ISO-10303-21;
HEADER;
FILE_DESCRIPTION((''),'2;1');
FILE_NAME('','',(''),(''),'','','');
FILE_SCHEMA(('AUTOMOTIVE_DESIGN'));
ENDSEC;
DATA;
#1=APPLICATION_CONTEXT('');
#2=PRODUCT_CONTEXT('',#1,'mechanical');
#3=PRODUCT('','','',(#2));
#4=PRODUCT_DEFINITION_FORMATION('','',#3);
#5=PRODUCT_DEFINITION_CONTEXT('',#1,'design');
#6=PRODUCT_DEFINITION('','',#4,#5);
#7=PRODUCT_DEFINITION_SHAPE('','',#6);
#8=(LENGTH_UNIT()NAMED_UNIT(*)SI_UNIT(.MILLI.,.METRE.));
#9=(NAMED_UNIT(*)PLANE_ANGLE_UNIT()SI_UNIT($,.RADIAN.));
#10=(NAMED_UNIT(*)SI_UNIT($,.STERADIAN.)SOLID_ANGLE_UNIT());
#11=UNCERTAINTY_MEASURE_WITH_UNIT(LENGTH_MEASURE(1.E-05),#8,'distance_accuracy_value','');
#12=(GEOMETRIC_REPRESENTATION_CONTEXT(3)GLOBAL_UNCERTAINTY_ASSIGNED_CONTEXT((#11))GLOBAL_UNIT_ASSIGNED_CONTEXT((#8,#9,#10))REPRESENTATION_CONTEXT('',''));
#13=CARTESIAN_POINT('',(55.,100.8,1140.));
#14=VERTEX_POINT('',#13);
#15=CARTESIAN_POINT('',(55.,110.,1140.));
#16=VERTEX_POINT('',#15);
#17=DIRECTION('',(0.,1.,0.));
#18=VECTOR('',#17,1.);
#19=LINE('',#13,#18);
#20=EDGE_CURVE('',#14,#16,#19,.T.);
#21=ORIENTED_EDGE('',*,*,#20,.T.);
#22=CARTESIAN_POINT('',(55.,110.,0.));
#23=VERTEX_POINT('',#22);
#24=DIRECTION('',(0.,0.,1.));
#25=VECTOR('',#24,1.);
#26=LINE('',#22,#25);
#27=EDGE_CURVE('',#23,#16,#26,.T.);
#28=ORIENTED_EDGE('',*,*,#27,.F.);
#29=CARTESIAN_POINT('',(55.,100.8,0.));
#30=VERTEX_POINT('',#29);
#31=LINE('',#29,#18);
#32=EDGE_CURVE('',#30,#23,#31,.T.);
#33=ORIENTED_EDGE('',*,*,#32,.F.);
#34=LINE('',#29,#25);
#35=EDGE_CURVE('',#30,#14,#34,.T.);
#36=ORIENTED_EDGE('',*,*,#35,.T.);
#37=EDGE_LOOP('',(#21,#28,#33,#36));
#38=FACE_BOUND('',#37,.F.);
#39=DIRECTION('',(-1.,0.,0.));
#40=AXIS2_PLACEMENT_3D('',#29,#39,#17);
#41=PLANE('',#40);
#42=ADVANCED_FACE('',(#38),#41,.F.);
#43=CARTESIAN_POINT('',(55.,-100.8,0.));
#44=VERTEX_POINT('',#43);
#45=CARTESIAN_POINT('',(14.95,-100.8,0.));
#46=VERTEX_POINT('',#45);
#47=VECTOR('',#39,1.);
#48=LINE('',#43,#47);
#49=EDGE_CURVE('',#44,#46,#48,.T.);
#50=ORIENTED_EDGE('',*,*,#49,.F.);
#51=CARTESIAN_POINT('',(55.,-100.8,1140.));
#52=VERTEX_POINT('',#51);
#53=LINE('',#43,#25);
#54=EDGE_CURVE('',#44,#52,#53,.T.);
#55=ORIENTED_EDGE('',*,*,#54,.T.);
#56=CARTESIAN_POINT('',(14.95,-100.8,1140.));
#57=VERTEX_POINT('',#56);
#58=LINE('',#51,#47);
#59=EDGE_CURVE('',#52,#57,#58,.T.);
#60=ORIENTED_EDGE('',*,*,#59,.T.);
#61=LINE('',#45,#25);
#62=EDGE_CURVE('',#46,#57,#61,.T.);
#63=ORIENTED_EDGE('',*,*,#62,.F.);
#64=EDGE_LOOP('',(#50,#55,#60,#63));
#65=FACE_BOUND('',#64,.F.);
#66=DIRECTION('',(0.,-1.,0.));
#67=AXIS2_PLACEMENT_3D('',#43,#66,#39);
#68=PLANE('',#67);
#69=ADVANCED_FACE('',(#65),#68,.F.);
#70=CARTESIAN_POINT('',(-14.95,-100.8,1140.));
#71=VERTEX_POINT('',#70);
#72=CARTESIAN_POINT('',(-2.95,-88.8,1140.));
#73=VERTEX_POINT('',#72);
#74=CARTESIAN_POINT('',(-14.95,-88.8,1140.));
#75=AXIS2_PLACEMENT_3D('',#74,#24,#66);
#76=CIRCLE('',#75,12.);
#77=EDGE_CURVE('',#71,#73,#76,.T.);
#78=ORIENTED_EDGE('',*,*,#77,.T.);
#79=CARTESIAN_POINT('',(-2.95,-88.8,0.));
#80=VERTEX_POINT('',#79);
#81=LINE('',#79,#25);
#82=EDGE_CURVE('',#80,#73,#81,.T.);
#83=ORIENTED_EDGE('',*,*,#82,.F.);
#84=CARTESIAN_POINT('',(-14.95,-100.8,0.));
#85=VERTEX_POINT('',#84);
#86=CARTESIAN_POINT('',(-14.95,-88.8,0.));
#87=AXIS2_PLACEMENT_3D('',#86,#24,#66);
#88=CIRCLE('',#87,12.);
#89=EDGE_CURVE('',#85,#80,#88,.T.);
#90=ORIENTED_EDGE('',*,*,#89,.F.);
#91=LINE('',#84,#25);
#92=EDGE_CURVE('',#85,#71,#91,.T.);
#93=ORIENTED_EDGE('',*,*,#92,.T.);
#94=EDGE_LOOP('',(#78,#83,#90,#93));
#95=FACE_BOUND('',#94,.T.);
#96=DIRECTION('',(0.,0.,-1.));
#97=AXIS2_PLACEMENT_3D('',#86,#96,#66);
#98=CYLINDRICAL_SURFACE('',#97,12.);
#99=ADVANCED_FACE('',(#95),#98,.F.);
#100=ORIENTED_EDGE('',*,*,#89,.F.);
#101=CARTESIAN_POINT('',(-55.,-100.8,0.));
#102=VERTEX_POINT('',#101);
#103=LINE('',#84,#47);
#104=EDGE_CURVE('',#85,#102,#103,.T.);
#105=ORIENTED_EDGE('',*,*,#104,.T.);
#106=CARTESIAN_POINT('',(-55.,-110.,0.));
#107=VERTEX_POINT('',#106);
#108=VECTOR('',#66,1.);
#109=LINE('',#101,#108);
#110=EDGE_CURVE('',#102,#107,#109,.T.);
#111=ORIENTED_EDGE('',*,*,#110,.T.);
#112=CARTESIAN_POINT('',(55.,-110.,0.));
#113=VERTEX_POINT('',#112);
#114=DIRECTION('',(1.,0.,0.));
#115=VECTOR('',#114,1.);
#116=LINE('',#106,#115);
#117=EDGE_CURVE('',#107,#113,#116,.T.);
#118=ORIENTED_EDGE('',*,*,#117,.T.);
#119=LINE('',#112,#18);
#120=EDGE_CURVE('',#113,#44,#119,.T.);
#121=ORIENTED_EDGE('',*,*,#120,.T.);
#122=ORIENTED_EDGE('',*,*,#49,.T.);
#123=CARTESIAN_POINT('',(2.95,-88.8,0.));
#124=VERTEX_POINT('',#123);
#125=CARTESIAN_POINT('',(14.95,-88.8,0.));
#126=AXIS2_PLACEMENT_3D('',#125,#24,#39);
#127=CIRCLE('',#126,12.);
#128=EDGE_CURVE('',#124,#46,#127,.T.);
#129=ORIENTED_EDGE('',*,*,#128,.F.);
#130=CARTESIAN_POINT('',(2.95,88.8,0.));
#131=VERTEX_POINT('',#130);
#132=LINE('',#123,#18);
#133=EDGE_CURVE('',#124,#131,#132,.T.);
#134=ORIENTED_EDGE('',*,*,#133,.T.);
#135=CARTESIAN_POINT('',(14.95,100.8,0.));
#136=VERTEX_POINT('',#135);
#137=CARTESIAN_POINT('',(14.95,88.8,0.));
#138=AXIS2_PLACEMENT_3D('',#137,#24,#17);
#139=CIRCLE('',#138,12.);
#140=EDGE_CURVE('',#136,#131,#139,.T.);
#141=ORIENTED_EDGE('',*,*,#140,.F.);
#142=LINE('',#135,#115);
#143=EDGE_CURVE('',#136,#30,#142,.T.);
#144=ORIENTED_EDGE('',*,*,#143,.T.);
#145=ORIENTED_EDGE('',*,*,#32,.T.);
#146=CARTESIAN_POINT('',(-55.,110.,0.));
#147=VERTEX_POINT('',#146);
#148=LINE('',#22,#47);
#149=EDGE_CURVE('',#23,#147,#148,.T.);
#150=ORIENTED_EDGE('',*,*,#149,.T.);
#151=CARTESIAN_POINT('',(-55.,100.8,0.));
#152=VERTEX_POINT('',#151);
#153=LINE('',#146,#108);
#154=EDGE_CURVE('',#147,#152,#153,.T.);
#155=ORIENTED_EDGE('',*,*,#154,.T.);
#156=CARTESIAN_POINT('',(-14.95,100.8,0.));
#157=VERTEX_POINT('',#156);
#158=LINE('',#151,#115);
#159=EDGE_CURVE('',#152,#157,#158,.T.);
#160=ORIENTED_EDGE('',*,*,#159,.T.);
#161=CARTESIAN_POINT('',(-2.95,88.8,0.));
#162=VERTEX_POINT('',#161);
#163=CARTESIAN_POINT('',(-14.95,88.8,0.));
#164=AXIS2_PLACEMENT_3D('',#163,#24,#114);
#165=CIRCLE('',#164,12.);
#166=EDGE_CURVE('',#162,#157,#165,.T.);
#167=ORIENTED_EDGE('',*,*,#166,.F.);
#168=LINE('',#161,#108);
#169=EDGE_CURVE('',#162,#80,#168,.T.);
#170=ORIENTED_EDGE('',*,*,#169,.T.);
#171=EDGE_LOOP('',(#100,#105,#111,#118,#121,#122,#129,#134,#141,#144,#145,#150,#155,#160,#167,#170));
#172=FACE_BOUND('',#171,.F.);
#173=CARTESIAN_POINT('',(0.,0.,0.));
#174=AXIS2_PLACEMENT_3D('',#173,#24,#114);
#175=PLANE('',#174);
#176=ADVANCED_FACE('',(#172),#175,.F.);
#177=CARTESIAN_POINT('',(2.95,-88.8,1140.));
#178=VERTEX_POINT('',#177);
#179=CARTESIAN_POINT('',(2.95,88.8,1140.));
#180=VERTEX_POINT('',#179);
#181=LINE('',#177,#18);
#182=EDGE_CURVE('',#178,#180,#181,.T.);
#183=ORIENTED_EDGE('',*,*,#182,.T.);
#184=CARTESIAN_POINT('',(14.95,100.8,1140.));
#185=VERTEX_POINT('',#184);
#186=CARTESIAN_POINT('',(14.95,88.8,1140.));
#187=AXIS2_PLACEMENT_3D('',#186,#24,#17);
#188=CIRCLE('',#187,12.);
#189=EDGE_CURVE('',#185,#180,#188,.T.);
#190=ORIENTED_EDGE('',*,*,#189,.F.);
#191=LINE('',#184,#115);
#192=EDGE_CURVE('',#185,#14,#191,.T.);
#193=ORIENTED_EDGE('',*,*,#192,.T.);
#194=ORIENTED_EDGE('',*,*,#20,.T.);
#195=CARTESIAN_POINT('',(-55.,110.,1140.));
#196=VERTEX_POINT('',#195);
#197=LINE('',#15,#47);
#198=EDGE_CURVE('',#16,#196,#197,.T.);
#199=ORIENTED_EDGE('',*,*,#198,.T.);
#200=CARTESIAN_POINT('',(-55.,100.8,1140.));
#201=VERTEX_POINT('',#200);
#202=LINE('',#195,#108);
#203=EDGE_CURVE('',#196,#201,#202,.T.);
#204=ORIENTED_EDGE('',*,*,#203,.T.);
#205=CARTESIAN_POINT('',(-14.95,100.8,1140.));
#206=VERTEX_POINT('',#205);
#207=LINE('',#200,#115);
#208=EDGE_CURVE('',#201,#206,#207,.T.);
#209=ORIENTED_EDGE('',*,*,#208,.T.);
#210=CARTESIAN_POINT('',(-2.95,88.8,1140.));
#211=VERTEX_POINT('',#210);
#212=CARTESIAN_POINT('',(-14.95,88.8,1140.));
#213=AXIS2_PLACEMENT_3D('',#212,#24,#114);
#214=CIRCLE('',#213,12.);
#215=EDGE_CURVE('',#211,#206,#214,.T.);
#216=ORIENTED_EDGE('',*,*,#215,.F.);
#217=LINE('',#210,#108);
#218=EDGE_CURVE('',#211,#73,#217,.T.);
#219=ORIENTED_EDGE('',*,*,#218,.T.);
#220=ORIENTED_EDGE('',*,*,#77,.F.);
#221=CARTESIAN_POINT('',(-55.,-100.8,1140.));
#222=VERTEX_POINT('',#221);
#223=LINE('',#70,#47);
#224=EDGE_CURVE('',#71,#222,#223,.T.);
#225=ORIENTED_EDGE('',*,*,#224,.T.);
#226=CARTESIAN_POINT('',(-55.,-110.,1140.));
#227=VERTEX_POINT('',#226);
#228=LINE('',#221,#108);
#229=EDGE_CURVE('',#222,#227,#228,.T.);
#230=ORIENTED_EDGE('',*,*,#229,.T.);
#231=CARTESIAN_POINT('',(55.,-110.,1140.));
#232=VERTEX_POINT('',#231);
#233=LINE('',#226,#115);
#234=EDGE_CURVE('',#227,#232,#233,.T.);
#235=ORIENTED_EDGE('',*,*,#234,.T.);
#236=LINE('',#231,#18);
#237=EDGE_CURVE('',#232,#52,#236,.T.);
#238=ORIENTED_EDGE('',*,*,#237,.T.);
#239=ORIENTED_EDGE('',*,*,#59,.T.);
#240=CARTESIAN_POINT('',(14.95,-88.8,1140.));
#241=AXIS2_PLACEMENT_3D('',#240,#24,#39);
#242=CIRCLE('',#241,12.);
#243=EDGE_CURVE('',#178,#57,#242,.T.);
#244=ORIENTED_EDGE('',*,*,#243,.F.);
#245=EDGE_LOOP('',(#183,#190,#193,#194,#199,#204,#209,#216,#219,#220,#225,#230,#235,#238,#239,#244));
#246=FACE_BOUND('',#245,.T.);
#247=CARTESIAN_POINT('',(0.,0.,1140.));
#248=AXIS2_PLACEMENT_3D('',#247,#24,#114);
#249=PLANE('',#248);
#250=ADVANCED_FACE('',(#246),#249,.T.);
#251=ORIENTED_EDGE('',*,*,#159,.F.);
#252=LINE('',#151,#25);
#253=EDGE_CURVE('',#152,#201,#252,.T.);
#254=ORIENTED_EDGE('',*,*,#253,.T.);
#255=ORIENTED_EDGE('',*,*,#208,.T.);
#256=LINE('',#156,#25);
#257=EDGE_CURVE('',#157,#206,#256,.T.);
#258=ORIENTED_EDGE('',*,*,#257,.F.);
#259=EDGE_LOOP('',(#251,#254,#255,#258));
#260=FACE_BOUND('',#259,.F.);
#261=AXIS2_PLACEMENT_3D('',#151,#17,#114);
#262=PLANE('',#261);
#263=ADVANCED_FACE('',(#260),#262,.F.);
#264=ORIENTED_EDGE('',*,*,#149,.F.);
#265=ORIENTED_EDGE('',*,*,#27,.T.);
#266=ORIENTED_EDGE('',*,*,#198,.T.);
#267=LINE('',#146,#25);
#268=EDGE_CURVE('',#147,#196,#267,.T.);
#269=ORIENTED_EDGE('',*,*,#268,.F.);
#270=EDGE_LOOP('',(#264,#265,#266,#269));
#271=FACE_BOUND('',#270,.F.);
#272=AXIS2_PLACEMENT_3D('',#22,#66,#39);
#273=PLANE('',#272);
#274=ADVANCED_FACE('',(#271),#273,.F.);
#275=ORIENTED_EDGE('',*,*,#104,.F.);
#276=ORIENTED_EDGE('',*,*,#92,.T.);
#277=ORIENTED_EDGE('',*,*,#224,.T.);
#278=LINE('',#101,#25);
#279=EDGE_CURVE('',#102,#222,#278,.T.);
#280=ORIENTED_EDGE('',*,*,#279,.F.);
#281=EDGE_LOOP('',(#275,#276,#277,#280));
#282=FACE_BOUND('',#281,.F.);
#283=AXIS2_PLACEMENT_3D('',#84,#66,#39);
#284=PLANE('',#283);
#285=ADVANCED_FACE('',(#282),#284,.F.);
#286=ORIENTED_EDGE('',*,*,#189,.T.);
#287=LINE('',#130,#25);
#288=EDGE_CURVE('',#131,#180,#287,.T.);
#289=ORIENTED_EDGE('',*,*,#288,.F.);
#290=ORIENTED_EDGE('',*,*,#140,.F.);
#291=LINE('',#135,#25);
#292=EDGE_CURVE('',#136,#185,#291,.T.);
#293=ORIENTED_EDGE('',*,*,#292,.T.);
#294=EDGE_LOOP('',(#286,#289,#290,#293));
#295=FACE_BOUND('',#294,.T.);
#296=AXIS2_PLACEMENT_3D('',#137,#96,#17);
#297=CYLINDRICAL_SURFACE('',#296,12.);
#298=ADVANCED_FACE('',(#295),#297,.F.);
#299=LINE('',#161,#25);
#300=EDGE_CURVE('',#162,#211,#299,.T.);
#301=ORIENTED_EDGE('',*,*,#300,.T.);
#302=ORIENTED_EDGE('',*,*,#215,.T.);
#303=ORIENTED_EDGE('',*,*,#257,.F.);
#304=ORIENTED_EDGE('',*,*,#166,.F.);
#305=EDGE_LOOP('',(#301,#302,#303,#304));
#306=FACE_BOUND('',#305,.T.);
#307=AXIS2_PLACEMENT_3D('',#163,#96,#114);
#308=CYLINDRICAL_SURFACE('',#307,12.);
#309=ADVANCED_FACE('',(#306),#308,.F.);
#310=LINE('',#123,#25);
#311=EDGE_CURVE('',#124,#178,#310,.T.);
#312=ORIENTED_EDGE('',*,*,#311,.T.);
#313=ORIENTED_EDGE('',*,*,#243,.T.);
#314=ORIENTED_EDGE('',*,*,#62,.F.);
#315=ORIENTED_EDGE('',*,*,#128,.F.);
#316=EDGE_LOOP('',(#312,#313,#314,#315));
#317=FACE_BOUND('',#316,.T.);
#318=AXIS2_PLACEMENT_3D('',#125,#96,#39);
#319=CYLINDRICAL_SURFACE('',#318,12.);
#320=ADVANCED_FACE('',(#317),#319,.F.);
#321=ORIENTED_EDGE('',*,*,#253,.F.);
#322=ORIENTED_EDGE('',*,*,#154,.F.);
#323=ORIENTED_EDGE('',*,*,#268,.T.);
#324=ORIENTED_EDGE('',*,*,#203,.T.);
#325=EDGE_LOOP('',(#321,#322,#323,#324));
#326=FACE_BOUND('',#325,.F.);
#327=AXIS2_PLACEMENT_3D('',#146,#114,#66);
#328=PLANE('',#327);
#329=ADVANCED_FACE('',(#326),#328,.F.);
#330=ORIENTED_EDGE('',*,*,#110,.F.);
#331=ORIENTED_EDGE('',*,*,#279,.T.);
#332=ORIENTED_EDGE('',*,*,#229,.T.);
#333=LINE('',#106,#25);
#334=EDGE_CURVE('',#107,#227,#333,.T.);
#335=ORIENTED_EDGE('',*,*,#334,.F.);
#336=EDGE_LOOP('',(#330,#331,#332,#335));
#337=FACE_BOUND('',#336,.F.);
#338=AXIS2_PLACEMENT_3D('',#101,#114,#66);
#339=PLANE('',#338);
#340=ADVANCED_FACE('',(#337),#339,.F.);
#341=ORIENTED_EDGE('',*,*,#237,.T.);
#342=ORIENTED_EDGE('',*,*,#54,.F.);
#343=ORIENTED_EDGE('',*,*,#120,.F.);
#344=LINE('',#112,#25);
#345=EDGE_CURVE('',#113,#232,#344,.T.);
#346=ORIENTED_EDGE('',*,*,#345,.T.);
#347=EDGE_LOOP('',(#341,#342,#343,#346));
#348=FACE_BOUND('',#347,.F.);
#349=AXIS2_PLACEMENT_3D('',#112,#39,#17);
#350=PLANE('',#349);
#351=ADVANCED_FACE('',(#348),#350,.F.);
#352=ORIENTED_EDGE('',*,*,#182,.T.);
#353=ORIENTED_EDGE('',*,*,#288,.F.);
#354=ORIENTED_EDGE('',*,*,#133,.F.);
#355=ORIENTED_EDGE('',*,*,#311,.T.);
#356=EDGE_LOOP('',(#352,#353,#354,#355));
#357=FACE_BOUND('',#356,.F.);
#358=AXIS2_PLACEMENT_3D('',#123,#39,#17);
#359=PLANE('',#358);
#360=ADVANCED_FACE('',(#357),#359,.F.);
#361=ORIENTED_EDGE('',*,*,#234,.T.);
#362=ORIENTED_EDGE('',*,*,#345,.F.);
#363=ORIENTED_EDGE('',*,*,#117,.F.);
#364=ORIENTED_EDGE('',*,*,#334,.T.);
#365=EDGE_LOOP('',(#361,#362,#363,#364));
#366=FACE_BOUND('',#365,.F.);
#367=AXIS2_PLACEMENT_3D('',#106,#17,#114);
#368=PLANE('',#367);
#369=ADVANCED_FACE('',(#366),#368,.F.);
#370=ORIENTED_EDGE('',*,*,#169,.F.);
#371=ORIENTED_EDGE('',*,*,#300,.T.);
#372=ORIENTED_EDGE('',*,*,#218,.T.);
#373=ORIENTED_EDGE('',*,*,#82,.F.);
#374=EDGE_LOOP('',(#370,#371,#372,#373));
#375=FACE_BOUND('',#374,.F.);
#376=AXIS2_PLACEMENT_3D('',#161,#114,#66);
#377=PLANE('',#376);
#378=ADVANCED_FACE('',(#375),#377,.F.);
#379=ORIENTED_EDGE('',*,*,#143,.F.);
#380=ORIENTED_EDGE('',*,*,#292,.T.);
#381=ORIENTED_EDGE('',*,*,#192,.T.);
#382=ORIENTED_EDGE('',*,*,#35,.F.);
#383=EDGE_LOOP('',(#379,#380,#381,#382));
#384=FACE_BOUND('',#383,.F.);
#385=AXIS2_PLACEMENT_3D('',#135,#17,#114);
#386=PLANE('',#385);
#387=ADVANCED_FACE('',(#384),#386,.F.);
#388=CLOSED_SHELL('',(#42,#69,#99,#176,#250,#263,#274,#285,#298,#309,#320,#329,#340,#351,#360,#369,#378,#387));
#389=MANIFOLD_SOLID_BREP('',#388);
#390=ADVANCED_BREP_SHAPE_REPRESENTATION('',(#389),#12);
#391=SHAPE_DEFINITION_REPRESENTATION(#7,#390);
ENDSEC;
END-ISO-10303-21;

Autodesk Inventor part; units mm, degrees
ref_plane "Start plane" through (0, 0, 0) normal (0, 0, 1) x (1, 0, 0)
ref_plane "End plane" through (0, 0, 1140) normal (0, 0, 1) x (1, 0, 0)
sketch "Sketch2" plane through (0, 0, 0) normal (0, 0, 1) x (1, 0, 0)
  line L0 (-55, 100.8) -> (-14.95, 100.8)
  line L1 (-55, 110) -> (-55, 100.8)
  line L2 (55, 110) -> (-55, 110)
  line L3 (55, 100.8) -> (55, 110)
  line L4 (14.95, 100.8) -> (55, 100.8)
  line L5 (2.95, -88.8) -> (2.95, 88.8)
  line L6 (55, -100.8) -> (14.95, -100.8)
  line L7 (55, -110) -> (55, -100.8)
  line L8 (-55, -100.8) -> (-55, -110)
  line L9 (-14.95, -100.8) -> (-55, -100.8)
  line L10 (-2.95, 88.8) -> (-2.95, -88.8)
  line L11 (0, -154) -> (0, 154) construction
  line L12 (-2.95, -100.8) -> (2.95, -100.8) construction
  arc A0 (-14.95, -100.8) -> (-2.95, -88.8) centre (-14.95, -88.8) ccw
  arc A1 (-2.95, 88.8) -> (-14.95, 100.8) centre (-14.95, 88.8) ccw
  arc A2 (14.95, 100.8) -> (2.95, 88.8) centre (14.95, 88.8) ccw
  arc A3 (2.95, -88.8) -> (14.95, -100.8) centre (14.95, -88.8) ccw
  line L13 (-77, 0) -> (77, 0) construction
  line L14 (-55, -110) -> (55, -110)
  point P0 (-2.95, 100.8)
  point P1 (2.95, 100.8)
  point P2 (0, 0)
  point P3 (0, -100.8)
  point P4 (0, 0)
  dimension "d1" = 220
  dimension "d3" = 9.2
  dimension "d5" = 5.9
  dimension "d7" = 110
  dimension "d13" = 12
  dimension "d14" = 110
  dimension "d15" = 55
extrude "Body" add sketch "Sketch2" along normal up to surface (1140 mm away) from surface at 0
sketch "Sketch3" plane through (0, 0, 0) normal (0, 0, 1) x (1, 0, 0)
  line L0 (0, 0) -> (10, 0)
ref_plane "Work Plane3" through (0, 0, 0) normal (0, -1, 0) x (1, 0, 0)
ref_plane "Work Plane4" through (85, 4000, 1140) normal (0, 0, 1) x (1, 0, 0)
split "Split1" plane through (85, 4000, 1140) removes the side toward (0, 0, 1)
sketch "Sketch4" plane through (0, 0, 0) normal (0, -1, 0) x (1, 0, 0)
  line L0 (-2, 0) -> (12, 0) projected
  line L1 (-2, 1140) -> (12, 1140) projected
  dimension "d19" = 1140
equation "\"d1\" = ParH"
equation "\"d3\" = t2"
equation "\"d5\" = t1"
equation "\"d7\" = b"
equation "\"d13\" = R1"
equation "\"d14\" = 0.5 * d1"
equation "\"d15\" = 0.5 * d7"
equation "\"d8\" = G_L"
equation "\"b\" = 110"
equation "\"ParH\" = 220"
equation "\"R1\" = 12"
equation "\"G_L\" = d19"
equation "\"t1\" = 5.9"
equation "\"t2\" = 9.2"
equation "\"G_OFFSET_START\" = 0"
properties part number "DIN 1025 - IPE 220-1140" material "Steel, Mild"
